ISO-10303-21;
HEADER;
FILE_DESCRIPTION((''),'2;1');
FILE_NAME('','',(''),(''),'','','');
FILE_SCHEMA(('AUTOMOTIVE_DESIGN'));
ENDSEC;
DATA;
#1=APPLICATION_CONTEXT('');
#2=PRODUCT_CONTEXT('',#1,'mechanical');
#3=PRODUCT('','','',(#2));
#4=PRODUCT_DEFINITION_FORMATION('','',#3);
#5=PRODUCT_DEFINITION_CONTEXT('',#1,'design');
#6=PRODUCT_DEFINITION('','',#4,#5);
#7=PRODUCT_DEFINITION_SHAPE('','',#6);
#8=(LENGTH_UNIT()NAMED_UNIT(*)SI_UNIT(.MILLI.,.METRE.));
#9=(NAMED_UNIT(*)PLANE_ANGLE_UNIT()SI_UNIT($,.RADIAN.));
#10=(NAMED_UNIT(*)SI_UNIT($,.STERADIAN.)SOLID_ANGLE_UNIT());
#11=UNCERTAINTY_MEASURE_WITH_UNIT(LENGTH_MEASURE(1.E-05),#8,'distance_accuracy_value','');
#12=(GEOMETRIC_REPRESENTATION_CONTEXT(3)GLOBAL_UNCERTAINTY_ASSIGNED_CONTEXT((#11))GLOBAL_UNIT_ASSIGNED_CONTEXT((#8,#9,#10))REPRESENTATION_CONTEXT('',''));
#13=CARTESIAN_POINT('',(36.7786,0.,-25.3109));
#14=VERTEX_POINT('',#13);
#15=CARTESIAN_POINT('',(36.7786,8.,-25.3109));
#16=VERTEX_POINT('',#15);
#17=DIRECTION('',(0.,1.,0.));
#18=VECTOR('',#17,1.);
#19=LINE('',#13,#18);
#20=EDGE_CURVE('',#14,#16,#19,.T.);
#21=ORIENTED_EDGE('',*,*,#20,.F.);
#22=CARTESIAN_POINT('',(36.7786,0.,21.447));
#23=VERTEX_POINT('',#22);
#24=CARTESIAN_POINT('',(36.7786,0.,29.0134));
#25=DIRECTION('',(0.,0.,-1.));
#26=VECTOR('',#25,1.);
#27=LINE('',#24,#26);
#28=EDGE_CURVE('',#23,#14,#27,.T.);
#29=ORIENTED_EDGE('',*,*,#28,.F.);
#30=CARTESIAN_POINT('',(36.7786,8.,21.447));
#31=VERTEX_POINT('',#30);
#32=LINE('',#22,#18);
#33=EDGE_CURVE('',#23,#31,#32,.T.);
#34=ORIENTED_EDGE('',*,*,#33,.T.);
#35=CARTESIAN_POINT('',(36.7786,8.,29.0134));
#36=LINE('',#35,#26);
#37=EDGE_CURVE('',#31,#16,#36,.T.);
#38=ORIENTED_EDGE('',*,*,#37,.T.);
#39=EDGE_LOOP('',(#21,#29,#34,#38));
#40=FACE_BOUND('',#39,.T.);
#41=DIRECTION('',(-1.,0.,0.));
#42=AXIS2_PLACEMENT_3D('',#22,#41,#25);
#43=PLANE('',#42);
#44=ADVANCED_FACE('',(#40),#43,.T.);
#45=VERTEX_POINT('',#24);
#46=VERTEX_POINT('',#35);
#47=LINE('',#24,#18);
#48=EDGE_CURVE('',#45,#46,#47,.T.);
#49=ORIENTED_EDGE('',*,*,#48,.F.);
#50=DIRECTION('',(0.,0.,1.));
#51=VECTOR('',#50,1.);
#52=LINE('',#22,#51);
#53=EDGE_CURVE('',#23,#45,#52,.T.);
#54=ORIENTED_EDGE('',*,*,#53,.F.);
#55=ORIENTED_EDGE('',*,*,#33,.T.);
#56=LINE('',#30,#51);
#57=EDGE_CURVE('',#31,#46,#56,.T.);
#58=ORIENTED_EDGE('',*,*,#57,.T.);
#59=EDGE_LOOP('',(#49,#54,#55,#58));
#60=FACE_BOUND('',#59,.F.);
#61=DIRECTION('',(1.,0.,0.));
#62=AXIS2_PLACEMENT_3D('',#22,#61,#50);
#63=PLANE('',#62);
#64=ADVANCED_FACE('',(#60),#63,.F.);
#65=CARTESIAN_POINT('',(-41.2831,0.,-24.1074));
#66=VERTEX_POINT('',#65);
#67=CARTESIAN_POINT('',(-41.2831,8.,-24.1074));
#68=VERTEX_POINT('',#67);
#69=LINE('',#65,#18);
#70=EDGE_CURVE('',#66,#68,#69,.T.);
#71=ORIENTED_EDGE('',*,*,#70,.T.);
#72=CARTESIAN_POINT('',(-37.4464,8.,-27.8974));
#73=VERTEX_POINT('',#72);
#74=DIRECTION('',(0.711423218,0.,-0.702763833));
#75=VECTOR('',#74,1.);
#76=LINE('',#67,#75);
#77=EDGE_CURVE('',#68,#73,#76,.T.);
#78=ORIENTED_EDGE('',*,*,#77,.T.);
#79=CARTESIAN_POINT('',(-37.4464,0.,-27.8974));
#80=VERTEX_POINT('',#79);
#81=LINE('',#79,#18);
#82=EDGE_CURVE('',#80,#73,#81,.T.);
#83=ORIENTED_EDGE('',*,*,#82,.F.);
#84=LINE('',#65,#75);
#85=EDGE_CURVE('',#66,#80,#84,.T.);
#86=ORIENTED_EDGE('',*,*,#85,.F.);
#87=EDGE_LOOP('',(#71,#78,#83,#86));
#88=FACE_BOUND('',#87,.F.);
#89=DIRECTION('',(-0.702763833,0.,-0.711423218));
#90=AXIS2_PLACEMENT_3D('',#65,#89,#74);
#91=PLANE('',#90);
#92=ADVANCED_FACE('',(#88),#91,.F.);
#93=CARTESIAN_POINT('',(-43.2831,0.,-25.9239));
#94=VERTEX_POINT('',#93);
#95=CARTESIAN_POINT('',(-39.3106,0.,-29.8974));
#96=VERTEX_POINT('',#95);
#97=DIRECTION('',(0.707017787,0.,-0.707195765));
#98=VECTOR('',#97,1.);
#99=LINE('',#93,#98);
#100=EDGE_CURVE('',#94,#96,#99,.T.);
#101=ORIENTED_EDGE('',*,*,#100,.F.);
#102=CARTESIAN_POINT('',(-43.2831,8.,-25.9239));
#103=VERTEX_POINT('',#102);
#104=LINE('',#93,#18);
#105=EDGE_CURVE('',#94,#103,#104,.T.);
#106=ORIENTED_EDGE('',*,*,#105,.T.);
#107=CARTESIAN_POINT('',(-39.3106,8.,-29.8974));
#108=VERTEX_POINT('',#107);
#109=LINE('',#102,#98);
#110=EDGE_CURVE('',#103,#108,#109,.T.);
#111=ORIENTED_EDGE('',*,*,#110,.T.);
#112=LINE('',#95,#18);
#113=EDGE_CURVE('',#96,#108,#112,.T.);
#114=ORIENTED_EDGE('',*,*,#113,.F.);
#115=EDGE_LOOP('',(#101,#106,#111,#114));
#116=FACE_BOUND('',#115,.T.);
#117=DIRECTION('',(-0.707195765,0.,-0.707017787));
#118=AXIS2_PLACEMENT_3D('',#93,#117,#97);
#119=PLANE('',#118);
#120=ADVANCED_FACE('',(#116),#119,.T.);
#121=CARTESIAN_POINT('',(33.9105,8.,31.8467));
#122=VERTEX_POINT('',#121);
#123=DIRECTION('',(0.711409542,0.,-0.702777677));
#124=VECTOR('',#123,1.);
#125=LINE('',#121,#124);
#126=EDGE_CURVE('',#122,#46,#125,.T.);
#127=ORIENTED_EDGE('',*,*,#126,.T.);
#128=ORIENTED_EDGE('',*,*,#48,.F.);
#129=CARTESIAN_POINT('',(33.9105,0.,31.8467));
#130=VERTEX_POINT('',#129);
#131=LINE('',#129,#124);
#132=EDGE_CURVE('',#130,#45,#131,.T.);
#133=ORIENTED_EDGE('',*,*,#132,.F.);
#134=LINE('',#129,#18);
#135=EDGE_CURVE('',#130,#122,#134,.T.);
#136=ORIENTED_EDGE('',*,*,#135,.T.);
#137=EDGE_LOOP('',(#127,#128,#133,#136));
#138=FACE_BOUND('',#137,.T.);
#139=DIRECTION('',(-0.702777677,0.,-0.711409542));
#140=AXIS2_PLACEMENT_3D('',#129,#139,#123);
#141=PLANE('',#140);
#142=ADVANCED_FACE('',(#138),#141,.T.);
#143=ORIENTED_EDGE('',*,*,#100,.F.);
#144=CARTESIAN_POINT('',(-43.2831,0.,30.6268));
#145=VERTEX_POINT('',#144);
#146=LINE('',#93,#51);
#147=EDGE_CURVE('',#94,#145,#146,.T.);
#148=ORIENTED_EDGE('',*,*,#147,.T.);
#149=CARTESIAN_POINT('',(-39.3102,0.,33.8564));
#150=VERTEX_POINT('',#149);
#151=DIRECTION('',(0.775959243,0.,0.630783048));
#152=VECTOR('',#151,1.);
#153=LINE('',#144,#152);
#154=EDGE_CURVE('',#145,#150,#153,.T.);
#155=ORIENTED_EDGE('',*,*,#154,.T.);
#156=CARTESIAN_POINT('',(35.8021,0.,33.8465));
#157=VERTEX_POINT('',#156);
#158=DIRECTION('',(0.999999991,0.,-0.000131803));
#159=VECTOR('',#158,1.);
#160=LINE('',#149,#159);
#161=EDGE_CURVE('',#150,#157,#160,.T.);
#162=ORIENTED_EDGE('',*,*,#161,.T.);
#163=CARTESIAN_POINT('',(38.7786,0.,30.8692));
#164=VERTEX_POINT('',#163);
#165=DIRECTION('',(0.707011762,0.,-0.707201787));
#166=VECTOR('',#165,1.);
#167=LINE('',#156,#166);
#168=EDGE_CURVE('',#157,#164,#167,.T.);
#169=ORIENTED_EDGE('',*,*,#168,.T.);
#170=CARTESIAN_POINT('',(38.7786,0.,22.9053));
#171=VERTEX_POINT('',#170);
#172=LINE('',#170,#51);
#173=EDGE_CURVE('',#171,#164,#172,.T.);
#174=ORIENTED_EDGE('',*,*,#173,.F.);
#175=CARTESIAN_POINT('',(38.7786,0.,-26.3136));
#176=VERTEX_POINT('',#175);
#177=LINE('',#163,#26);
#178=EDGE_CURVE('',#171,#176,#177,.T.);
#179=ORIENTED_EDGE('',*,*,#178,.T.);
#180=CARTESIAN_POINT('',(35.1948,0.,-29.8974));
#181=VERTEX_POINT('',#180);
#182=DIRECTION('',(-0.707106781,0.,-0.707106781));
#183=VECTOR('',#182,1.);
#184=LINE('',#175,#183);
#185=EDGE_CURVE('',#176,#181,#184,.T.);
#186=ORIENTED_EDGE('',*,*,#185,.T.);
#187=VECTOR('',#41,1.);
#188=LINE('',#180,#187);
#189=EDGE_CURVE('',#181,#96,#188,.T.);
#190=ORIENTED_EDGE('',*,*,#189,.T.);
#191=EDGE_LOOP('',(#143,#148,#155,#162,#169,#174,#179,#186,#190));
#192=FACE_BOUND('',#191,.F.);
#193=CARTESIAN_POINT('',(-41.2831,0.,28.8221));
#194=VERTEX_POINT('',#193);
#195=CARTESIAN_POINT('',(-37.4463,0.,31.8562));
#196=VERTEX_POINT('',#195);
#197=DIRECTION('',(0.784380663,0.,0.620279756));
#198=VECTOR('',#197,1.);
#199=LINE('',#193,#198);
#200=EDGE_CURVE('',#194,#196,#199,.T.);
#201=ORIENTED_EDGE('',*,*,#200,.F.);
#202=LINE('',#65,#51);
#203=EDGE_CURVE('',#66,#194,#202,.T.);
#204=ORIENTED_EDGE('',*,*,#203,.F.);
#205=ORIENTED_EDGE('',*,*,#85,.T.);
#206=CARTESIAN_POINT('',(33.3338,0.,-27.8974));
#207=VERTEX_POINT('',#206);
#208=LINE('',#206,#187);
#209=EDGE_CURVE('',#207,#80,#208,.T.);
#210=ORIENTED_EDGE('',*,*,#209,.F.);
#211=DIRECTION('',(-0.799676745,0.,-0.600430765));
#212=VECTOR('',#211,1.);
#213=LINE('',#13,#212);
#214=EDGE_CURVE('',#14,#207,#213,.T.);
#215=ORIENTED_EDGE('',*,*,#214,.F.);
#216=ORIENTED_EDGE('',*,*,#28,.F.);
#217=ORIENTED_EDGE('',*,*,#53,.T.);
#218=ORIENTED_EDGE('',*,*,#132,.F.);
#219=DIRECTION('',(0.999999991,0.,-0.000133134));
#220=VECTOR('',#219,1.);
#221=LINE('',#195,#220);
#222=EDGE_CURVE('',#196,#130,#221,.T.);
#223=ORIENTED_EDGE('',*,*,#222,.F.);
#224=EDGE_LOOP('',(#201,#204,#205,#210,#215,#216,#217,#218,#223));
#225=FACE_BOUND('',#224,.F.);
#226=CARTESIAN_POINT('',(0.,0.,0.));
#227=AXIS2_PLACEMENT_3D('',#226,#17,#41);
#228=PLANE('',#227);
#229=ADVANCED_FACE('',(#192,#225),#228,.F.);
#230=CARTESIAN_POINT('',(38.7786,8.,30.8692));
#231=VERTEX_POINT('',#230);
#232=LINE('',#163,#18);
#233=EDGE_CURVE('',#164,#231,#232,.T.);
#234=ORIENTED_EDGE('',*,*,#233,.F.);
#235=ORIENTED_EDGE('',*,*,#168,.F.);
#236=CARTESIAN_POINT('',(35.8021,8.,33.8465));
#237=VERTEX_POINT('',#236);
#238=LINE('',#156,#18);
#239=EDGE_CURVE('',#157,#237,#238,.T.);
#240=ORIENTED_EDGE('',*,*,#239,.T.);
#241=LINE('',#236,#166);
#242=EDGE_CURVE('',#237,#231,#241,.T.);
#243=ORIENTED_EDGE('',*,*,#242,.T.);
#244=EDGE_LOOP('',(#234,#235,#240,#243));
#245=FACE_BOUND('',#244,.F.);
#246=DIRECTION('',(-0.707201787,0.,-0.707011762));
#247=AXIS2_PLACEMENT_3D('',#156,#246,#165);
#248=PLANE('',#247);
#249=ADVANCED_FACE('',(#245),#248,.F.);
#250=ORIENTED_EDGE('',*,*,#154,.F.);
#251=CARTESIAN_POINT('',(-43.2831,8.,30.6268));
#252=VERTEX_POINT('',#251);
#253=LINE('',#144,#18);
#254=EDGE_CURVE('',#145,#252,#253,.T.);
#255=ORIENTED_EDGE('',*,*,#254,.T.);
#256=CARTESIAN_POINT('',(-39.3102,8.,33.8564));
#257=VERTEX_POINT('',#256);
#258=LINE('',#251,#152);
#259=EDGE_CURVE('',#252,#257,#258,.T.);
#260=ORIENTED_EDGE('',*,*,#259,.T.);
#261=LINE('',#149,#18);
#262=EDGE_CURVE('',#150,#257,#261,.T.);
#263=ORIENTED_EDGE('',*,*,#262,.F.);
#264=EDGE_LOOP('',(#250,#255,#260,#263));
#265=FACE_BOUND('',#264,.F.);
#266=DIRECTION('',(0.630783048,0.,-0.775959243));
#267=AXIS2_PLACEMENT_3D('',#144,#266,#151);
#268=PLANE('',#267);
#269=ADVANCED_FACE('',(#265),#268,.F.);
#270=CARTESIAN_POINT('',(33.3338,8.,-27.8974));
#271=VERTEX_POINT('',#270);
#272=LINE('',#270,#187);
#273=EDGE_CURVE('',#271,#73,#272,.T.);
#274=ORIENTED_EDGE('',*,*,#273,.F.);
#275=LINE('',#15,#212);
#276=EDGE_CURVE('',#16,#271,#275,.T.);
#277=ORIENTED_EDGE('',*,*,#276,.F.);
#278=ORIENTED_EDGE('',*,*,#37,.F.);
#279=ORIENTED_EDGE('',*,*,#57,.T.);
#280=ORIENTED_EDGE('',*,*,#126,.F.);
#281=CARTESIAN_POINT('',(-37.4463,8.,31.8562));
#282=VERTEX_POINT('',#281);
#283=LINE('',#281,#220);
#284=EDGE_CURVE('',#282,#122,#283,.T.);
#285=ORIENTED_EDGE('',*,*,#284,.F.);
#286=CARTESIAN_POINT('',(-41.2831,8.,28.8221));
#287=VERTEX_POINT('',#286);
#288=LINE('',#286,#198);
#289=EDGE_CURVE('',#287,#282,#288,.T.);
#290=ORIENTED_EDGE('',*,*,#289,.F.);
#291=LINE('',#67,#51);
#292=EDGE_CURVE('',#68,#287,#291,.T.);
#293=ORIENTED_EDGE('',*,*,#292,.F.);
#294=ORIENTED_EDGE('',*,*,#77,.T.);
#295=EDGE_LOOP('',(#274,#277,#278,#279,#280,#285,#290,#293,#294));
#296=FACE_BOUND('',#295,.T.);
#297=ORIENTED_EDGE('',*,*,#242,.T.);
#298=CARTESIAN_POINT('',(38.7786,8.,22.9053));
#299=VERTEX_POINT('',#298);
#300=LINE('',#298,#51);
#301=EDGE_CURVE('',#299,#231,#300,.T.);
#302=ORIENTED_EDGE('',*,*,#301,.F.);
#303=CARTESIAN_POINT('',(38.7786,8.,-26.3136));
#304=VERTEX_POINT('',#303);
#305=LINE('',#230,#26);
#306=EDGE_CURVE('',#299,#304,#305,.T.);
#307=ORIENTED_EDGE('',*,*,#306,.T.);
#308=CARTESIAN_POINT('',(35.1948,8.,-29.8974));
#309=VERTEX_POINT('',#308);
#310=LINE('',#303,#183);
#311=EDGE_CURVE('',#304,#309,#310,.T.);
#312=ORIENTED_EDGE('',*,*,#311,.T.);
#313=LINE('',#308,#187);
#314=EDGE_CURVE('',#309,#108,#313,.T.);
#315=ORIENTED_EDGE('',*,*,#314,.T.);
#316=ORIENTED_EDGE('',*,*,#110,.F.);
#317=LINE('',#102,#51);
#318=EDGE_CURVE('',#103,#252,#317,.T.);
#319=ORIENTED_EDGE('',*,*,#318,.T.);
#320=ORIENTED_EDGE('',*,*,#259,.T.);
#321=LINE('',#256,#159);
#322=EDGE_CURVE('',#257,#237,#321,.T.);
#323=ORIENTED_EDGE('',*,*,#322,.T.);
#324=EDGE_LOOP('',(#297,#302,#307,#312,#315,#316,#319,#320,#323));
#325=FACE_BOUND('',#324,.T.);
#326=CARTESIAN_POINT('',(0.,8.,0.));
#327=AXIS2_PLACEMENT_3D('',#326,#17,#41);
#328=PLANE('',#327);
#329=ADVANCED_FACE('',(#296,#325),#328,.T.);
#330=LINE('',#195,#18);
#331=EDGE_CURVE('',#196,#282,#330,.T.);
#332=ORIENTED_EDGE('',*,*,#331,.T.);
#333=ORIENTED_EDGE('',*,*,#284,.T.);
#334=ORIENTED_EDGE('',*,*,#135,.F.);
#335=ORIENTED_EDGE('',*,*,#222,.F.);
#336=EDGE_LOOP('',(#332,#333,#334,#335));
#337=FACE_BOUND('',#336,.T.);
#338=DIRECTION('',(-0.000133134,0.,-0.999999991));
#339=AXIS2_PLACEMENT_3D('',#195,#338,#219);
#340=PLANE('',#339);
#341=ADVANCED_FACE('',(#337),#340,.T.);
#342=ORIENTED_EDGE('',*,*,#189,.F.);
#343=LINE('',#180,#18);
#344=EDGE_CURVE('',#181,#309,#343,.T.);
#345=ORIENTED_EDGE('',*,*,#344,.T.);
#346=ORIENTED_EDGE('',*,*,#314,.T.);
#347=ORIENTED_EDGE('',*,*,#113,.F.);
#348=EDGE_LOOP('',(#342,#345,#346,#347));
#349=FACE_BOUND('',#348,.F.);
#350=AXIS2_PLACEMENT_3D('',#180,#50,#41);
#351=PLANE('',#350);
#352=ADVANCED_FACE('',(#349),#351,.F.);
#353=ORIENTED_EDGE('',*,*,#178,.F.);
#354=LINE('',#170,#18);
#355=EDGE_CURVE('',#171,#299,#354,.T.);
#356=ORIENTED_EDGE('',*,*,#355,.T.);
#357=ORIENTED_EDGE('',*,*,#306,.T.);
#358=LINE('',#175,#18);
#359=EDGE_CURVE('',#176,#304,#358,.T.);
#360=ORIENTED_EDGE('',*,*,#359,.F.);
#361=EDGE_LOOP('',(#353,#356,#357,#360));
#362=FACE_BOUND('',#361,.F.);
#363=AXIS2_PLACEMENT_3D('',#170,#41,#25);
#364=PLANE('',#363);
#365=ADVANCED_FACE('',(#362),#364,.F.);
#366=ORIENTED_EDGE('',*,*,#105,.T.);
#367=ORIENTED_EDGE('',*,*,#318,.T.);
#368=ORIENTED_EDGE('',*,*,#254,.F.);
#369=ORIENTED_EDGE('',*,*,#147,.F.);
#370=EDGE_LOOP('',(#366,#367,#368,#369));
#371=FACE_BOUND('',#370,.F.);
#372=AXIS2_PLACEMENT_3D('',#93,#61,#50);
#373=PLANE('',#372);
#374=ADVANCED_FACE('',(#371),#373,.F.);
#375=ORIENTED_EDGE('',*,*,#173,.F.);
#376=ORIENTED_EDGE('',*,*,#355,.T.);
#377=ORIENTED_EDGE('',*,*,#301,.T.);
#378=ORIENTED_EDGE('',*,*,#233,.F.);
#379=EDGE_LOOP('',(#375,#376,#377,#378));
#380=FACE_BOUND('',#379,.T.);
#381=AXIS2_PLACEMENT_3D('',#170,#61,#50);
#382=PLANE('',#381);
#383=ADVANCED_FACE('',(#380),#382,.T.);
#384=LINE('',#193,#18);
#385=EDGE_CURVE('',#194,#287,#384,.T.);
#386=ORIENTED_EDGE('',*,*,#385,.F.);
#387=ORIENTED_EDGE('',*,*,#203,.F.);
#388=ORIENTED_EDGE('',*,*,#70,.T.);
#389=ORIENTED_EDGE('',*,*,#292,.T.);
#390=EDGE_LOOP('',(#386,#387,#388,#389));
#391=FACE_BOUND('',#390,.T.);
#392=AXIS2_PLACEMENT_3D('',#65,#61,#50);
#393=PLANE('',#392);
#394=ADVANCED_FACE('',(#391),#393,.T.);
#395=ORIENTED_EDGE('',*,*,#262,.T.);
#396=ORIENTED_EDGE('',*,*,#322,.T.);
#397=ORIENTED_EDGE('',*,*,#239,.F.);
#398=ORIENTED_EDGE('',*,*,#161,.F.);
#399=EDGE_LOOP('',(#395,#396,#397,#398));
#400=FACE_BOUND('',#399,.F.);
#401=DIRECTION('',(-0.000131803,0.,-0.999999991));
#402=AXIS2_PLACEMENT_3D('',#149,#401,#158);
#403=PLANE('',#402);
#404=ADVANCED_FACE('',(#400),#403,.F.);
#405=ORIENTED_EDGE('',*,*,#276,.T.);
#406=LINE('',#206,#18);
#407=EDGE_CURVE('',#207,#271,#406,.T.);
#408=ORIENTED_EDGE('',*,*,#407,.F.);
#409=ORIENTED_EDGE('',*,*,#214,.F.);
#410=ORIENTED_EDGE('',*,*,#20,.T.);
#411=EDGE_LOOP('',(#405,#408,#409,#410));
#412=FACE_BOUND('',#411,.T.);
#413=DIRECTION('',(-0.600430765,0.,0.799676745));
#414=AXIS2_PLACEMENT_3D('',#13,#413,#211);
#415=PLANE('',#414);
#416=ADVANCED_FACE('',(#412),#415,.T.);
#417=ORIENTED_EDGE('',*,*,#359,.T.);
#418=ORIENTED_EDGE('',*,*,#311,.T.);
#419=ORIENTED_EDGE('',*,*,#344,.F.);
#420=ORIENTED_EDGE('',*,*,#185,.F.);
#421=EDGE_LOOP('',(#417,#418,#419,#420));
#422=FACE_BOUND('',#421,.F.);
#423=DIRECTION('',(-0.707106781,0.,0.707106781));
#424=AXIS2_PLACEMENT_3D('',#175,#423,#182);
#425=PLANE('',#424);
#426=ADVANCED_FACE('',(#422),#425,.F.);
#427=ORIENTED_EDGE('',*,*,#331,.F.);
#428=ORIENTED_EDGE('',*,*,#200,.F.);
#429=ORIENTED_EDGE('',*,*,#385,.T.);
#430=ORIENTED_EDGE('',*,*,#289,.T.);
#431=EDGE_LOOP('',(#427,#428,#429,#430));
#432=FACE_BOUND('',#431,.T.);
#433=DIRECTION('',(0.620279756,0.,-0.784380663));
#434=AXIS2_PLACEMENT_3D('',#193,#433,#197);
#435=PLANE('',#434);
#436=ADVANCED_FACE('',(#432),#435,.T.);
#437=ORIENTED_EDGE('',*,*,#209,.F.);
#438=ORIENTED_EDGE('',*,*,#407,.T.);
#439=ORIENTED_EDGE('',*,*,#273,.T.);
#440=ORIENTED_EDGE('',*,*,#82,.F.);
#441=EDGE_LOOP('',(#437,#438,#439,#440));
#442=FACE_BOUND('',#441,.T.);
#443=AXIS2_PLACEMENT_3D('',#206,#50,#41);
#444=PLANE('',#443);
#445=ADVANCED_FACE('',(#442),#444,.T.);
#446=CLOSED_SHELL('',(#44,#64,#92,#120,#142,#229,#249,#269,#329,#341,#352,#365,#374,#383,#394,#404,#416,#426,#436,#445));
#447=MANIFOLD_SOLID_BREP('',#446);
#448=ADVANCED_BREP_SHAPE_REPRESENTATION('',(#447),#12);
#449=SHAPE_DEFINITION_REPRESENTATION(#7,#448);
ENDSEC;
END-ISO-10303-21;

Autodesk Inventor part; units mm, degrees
ref_plane "YZ Plane" through (0, 0, 0) normal (1, 0, 0) x (0, 1, 0)
ref_plane "XZ Plane" through (0, 0, 0) normal (0, 1, 0) x (-1, 0, 0)
ref_plane "XY Plane" through (0, 0, 0) normal (0, 0, 1) x (1, 0, 0)
sketch "Sketch1" plane through (0, 0, 0) normal (0, 1, 0) x (-1, 0, 0)
  line L0 (-35.1948, -29.8974) -> (39.3106, -29.8974)
  line L1 (43.2831, -25.9239) -> (39.3106, -29.8974)
  line L2 (-35.1948, -29.8974) -> (39.3106, -29.8974)
  line L3 (39.3106, -29.8974) -> (43.2831, -25.9239)
  line L4 (43.2831, -25.9239) -> (43.2831, 30.6268)
  line L5 (43.2831, 30.6268) -> (39.3102, 33.8564)
  line L6 (39.3102, 33.8564) -> (-35.8021, 33.8465)
  line L7 (-38.7786, 22.9053) -> (-38.7786, 30.8692)
  line L8 (-35.8021, 33.8465) -> (-38.7786, 30.8692)
  line L9 (-38.7786, 30.8692) -> (-38.7786, -26.3136)
  line L10 (-38.7786, -26.3136) -> (-35.1948, -29.8974)
  line L11 (-35.1948, -29.8974) -> (-38.7786, -26.3136)
  line L12 (-33.3338, -27.8974) -> (37.4464, -27.8974)
  line L13 (41.2831, -24.1074) -> (37.4464, -27.8974)
  line L14 (-33.3338, -27.8974) -> (37.4464, -27.8974)
  line L15 (37.4464, -27.8974) -> (41.2831, -24.1074)
  line L16 (41.2831, -24.1074) -> (41.2831, 28.8221)
  line L17 (41.2831, 28.8221) -> (37.4463, 31.8562)
  line L18 (37.4463, 31.8562) -> (-33.9105, 31.8467)
  line L19 (-36.7786, 21.447) -> (-36.7786, 29.0134)
  line L20 (-33.9105, 31.8467) -> (-36.7786, 29.0134)
  line L21 (-36.7786, 29.0134) -> (-36.7786, -25.3109)
  line L22 (-36.7786, -25.3109) -> (-33.3338, -27.8974)
  line L23 (-33.3338, -27.8974) -> (-36.7786, -25.3109)
  dimension "d1" = 2
  dimension "d2" = 2
  dimension "d3" = 2
  dimension "d4" = 2
extrude "Extrusion1" add sketch "Sketch1" along normal blind 8
properties part number "Mash Tank Bottom"
